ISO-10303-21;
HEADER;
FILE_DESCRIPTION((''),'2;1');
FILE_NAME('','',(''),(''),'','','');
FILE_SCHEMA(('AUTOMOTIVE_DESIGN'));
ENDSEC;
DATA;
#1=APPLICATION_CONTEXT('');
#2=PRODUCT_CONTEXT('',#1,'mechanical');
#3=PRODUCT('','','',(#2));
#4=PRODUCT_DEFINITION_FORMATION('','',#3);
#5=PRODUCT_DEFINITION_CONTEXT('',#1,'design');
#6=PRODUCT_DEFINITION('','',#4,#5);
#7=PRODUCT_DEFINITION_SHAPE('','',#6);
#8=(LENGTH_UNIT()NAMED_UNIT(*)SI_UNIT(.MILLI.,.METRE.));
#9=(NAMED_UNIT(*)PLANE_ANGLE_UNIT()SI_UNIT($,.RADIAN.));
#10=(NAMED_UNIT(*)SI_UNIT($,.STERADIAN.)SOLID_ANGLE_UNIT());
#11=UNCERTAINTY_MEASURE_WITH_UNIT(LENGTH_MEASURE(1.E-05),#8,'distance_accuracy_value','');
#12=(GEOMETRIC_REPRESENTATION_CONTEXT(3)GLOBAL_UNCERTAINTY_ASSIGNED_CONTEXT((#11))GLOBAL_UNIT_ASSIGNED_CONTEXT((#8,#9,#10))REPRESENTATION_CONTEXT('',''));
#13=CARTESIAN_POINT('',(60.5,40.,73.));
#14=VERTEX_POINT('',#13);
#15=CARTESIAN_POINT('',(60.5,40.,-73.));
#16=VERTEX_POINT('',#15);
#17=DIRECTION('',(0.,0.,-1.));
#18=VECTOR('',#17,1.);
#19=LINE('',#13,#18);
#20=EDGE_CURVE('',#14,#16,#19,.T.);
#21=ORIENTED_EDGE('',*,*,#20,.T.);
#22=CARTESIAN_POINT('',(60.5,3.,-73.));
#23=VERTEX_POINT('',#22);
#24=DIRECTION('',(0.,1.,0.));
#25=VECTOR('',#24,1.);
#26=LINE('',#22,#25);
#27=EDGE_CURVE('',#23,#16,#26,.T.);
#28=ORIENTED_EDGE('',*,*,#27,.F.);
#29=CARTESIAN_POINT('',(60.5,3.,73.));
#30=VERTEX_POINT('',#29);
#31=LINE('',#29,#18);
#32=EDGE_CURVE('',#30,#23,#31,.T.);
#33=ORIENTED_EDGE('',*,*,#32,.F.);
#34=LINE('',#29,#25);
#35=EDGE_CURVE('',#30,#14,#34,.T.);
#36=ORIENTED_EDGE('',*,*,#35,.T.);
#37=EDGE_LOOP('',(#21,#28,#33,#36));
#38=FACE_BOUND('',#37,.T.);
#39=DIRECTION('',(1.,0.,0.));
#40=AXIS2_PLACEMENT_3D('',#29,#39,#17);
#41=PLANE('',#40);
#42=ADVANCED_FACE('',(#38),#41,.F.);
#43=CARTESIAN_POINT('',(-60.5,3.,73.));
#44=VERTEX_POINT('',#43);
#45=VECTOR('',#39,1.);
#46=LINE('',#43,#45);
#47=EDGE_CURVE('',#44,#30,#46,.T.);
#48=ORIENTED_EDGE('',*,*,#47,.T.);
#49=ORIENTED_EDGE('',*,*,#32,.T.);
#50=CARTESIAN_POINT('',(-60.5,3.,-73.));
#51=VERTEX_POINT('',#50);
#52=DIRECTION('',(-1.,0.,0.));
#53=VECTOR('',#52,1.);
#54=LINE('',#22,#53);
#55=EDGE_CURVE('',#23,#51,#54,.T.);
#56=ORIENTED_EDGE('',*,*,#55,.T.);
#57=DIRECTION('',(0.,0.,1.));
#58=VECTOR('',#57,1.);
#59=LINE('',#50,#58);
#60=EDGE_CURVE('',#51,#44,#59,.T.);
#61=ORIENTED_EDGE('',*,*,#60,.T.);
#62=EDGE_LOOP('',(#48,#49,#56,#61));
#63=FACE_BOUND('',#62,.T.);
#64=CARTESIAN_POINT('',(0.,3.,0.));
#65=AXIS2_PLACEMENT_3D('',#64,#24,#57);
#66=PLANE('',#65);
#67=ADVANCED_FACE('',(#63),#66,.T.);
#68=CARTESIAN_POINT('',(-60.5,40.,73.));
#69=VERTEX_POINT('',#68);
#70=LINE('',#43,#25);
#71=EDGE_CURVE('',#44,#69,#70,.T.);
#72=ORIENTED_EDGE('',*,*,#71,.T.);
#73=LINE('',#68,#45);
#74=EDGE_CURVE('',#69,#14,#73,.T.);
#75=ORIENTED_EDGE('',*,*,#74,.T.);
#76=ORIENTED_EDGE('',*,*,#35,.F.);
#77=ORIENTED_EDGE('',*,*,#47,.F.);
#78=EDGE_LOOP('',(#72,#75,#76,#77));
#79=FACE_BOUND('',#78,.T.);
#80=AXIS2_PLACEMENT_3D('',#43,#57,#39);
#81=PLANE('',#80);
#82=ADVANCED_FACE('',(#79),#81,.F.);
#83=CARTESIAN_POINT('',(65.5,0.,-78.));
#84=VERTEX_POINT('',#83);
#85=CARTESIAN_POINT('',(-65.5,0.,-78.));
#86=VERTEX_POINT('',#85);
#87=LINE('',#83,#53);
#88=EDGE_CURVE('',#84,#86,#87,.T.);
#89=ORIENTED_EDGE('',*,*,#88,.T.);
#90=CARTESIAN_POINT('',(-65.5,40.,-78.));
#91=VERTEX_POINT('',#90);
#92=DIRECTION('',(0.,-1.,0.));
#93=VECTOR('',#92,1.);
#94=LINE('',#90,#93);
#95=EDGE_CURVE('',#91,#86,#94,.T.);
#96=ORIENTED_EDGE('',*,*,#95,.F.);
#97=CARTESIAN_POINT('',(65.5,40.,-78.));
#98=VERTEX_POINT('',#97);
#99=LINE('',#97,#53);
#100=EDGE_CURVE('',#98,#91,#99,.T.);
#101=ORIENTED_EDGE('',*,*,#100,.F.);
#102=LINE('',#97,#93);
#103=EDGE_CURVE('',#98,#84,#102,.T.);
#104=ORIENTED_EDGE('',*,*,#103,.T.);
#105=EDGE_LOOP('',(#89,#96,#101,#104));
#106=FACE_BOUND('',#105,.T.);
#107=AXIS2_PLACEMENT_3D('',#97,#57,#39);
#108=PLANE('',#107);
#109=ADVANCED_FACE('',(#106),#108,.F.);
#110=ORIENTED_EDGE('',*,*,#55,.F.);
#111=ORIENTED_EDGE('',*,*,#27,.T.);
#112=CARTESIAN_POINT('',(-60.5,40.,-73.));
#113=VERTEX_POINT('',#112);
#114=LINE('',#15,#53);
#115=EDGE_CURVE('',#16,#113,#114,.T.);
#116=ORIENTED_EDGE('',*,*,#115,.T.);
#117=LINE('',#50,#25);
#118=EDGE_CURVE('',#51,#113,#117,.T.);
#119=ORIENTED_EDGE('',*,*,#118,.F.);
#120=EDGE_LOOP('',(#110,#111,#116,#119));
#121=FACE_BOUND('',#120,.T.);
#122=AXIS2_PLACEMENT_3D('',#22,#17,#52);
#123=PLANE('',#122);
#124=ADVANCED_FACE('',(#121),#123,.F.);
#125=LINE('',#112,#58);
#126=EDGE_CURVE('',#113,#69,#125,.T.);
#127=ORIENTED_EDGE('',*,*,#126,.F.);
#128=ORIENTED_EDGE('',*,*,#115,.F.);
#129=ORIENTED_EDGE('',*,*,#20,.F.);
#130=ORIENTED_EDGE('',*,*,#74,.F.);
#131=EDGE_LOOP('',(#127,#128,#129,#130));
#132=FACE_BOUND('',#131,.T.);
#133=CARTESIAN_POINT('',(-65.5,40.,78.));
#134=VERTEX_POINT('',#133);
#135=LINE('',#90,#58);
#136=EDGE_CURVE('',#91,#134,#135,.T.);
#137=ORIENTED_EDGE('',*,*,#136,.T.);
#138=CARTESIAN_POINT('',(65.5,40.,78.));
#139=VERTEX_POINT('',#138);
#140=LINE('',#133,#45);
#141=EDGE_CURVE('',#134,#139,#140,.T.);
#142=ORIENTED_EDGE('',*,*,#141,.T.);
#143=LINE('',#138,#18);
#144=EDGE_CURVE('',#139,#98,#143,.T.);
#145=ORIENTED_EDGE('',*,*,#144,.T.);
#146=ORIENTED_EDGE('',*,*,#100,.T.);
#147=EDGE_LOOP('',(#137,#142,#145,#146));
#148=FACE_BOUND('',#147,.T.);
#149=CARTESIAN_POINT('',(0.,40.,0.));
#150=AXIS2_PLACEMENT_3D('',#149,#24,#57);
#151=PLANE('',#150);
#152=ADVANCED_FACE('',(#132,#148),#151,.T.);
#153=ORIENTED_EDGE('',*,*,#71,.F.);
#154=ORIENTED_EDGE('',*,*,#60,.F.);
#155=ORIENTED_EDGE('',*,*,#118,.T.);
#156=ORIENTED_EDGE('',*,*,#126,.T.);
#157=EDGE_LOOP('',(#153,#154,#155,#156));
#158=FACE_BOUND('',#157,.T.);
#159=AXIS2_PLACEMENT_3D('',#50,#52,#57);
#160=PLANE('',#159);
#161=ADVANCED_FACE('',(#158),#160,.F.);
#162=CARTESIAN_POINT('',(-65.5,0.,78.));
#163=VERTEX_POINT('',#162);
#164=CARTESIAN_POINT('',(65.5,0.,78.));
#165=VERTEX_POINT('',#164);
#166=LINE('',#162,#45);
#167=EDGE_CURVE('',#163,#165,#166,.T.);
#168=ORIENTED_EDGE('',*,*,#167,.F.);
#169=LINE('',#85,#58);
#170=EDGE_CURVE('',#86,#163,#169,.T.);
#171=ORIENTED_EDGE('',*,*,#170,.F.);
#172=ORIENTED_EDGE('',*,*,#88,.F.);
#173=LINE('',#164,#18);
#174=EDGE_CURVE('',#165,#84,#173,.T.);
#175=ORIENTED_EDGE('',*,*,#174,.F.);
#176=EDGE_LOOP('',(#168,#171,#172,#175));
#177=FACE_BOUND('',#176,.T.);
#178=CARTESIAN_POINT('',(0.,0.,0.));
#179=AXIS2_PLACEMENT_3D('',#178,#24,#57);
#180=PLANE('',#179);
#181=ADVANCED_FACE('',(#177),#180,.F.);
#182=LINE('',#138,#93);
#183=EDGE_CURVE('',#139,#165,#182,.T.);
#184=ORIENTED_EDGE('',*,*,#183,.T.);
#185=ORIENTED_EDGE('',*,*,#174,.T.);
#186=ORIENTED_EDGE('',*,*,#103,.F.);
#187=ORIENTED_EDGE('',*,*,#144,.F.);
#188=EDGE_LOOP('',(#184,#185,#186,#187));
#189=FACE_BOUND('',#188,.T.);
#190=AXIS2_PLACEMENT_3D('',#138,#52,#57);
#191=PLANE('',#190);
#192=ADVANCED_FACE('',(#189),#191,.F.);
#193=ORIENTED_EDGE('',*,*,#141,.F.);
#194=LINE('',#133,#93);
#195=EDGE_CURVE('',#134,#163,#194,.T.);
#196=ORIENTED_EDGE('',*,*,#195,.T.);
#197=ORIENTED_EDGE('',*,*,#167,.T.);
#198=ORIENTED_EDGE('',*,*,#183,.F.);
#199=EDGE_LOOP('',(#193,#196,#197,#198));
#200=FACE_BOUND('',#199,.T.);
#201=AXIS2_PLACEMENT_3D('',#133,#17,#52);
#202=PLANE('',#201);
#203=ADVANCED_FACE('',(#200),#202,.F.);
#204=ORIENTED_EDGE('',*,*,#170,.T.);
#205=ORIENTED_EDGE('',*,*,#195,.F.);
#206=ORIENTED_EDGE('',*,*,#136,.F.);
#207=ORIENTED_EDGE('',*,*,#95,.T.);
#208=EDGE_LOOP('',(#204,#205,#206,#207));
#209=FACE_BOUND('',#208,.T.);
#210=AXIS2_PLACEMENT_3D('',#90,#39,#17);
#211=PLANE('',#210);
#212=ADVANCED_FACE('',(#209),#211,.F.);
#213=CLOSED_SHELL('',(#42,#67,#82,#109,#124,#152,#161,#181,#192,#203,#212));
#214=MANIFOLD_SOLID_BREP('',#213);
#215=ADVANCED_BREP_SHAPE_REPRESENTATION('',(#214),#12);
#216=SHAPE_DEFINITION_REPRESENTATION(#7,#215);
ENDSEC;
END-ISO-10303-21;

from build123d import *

# Parameters (mm, degrees)
ESBO_O1_W                = 131
ESBO_O1_H                = 156
RESSALTO_EXTRUS_O1_DEPTH = 40
ESBO_O3_W                = 121
ESBO_O3_H                = 146
CORTE_EXTRUS_O1_DEPTH    = 37


with BuildPart() as part:
    # Esboço1 → Ressalto-extrusão1 (new body)
    with BuildSketch(Plane(origin=(0, 0, 0), x_dir=(-1, 0, 0), z_dir=(0, 1, 0))):
        Rectangle(ESBO_O1_W, ESBO_O1_H)
    extrude(amount=RESSALTO_EXTRUS_O1_DEPTH)

    # Esboço3 → Corte-extrusão1 (cut)
    with BuildSketch(Plane(origin=(0, 40, 0), x_dir=(1, 0, 0), z_dir=(0, 1, 0))):
        Rectangle(ESBO_O3_W, ESBO_O3_H)
    extrude(amount=-CORTE_EXTRUS_O1_DEPTH, mode=Mode.SUBTRACT)


solid = part.part
